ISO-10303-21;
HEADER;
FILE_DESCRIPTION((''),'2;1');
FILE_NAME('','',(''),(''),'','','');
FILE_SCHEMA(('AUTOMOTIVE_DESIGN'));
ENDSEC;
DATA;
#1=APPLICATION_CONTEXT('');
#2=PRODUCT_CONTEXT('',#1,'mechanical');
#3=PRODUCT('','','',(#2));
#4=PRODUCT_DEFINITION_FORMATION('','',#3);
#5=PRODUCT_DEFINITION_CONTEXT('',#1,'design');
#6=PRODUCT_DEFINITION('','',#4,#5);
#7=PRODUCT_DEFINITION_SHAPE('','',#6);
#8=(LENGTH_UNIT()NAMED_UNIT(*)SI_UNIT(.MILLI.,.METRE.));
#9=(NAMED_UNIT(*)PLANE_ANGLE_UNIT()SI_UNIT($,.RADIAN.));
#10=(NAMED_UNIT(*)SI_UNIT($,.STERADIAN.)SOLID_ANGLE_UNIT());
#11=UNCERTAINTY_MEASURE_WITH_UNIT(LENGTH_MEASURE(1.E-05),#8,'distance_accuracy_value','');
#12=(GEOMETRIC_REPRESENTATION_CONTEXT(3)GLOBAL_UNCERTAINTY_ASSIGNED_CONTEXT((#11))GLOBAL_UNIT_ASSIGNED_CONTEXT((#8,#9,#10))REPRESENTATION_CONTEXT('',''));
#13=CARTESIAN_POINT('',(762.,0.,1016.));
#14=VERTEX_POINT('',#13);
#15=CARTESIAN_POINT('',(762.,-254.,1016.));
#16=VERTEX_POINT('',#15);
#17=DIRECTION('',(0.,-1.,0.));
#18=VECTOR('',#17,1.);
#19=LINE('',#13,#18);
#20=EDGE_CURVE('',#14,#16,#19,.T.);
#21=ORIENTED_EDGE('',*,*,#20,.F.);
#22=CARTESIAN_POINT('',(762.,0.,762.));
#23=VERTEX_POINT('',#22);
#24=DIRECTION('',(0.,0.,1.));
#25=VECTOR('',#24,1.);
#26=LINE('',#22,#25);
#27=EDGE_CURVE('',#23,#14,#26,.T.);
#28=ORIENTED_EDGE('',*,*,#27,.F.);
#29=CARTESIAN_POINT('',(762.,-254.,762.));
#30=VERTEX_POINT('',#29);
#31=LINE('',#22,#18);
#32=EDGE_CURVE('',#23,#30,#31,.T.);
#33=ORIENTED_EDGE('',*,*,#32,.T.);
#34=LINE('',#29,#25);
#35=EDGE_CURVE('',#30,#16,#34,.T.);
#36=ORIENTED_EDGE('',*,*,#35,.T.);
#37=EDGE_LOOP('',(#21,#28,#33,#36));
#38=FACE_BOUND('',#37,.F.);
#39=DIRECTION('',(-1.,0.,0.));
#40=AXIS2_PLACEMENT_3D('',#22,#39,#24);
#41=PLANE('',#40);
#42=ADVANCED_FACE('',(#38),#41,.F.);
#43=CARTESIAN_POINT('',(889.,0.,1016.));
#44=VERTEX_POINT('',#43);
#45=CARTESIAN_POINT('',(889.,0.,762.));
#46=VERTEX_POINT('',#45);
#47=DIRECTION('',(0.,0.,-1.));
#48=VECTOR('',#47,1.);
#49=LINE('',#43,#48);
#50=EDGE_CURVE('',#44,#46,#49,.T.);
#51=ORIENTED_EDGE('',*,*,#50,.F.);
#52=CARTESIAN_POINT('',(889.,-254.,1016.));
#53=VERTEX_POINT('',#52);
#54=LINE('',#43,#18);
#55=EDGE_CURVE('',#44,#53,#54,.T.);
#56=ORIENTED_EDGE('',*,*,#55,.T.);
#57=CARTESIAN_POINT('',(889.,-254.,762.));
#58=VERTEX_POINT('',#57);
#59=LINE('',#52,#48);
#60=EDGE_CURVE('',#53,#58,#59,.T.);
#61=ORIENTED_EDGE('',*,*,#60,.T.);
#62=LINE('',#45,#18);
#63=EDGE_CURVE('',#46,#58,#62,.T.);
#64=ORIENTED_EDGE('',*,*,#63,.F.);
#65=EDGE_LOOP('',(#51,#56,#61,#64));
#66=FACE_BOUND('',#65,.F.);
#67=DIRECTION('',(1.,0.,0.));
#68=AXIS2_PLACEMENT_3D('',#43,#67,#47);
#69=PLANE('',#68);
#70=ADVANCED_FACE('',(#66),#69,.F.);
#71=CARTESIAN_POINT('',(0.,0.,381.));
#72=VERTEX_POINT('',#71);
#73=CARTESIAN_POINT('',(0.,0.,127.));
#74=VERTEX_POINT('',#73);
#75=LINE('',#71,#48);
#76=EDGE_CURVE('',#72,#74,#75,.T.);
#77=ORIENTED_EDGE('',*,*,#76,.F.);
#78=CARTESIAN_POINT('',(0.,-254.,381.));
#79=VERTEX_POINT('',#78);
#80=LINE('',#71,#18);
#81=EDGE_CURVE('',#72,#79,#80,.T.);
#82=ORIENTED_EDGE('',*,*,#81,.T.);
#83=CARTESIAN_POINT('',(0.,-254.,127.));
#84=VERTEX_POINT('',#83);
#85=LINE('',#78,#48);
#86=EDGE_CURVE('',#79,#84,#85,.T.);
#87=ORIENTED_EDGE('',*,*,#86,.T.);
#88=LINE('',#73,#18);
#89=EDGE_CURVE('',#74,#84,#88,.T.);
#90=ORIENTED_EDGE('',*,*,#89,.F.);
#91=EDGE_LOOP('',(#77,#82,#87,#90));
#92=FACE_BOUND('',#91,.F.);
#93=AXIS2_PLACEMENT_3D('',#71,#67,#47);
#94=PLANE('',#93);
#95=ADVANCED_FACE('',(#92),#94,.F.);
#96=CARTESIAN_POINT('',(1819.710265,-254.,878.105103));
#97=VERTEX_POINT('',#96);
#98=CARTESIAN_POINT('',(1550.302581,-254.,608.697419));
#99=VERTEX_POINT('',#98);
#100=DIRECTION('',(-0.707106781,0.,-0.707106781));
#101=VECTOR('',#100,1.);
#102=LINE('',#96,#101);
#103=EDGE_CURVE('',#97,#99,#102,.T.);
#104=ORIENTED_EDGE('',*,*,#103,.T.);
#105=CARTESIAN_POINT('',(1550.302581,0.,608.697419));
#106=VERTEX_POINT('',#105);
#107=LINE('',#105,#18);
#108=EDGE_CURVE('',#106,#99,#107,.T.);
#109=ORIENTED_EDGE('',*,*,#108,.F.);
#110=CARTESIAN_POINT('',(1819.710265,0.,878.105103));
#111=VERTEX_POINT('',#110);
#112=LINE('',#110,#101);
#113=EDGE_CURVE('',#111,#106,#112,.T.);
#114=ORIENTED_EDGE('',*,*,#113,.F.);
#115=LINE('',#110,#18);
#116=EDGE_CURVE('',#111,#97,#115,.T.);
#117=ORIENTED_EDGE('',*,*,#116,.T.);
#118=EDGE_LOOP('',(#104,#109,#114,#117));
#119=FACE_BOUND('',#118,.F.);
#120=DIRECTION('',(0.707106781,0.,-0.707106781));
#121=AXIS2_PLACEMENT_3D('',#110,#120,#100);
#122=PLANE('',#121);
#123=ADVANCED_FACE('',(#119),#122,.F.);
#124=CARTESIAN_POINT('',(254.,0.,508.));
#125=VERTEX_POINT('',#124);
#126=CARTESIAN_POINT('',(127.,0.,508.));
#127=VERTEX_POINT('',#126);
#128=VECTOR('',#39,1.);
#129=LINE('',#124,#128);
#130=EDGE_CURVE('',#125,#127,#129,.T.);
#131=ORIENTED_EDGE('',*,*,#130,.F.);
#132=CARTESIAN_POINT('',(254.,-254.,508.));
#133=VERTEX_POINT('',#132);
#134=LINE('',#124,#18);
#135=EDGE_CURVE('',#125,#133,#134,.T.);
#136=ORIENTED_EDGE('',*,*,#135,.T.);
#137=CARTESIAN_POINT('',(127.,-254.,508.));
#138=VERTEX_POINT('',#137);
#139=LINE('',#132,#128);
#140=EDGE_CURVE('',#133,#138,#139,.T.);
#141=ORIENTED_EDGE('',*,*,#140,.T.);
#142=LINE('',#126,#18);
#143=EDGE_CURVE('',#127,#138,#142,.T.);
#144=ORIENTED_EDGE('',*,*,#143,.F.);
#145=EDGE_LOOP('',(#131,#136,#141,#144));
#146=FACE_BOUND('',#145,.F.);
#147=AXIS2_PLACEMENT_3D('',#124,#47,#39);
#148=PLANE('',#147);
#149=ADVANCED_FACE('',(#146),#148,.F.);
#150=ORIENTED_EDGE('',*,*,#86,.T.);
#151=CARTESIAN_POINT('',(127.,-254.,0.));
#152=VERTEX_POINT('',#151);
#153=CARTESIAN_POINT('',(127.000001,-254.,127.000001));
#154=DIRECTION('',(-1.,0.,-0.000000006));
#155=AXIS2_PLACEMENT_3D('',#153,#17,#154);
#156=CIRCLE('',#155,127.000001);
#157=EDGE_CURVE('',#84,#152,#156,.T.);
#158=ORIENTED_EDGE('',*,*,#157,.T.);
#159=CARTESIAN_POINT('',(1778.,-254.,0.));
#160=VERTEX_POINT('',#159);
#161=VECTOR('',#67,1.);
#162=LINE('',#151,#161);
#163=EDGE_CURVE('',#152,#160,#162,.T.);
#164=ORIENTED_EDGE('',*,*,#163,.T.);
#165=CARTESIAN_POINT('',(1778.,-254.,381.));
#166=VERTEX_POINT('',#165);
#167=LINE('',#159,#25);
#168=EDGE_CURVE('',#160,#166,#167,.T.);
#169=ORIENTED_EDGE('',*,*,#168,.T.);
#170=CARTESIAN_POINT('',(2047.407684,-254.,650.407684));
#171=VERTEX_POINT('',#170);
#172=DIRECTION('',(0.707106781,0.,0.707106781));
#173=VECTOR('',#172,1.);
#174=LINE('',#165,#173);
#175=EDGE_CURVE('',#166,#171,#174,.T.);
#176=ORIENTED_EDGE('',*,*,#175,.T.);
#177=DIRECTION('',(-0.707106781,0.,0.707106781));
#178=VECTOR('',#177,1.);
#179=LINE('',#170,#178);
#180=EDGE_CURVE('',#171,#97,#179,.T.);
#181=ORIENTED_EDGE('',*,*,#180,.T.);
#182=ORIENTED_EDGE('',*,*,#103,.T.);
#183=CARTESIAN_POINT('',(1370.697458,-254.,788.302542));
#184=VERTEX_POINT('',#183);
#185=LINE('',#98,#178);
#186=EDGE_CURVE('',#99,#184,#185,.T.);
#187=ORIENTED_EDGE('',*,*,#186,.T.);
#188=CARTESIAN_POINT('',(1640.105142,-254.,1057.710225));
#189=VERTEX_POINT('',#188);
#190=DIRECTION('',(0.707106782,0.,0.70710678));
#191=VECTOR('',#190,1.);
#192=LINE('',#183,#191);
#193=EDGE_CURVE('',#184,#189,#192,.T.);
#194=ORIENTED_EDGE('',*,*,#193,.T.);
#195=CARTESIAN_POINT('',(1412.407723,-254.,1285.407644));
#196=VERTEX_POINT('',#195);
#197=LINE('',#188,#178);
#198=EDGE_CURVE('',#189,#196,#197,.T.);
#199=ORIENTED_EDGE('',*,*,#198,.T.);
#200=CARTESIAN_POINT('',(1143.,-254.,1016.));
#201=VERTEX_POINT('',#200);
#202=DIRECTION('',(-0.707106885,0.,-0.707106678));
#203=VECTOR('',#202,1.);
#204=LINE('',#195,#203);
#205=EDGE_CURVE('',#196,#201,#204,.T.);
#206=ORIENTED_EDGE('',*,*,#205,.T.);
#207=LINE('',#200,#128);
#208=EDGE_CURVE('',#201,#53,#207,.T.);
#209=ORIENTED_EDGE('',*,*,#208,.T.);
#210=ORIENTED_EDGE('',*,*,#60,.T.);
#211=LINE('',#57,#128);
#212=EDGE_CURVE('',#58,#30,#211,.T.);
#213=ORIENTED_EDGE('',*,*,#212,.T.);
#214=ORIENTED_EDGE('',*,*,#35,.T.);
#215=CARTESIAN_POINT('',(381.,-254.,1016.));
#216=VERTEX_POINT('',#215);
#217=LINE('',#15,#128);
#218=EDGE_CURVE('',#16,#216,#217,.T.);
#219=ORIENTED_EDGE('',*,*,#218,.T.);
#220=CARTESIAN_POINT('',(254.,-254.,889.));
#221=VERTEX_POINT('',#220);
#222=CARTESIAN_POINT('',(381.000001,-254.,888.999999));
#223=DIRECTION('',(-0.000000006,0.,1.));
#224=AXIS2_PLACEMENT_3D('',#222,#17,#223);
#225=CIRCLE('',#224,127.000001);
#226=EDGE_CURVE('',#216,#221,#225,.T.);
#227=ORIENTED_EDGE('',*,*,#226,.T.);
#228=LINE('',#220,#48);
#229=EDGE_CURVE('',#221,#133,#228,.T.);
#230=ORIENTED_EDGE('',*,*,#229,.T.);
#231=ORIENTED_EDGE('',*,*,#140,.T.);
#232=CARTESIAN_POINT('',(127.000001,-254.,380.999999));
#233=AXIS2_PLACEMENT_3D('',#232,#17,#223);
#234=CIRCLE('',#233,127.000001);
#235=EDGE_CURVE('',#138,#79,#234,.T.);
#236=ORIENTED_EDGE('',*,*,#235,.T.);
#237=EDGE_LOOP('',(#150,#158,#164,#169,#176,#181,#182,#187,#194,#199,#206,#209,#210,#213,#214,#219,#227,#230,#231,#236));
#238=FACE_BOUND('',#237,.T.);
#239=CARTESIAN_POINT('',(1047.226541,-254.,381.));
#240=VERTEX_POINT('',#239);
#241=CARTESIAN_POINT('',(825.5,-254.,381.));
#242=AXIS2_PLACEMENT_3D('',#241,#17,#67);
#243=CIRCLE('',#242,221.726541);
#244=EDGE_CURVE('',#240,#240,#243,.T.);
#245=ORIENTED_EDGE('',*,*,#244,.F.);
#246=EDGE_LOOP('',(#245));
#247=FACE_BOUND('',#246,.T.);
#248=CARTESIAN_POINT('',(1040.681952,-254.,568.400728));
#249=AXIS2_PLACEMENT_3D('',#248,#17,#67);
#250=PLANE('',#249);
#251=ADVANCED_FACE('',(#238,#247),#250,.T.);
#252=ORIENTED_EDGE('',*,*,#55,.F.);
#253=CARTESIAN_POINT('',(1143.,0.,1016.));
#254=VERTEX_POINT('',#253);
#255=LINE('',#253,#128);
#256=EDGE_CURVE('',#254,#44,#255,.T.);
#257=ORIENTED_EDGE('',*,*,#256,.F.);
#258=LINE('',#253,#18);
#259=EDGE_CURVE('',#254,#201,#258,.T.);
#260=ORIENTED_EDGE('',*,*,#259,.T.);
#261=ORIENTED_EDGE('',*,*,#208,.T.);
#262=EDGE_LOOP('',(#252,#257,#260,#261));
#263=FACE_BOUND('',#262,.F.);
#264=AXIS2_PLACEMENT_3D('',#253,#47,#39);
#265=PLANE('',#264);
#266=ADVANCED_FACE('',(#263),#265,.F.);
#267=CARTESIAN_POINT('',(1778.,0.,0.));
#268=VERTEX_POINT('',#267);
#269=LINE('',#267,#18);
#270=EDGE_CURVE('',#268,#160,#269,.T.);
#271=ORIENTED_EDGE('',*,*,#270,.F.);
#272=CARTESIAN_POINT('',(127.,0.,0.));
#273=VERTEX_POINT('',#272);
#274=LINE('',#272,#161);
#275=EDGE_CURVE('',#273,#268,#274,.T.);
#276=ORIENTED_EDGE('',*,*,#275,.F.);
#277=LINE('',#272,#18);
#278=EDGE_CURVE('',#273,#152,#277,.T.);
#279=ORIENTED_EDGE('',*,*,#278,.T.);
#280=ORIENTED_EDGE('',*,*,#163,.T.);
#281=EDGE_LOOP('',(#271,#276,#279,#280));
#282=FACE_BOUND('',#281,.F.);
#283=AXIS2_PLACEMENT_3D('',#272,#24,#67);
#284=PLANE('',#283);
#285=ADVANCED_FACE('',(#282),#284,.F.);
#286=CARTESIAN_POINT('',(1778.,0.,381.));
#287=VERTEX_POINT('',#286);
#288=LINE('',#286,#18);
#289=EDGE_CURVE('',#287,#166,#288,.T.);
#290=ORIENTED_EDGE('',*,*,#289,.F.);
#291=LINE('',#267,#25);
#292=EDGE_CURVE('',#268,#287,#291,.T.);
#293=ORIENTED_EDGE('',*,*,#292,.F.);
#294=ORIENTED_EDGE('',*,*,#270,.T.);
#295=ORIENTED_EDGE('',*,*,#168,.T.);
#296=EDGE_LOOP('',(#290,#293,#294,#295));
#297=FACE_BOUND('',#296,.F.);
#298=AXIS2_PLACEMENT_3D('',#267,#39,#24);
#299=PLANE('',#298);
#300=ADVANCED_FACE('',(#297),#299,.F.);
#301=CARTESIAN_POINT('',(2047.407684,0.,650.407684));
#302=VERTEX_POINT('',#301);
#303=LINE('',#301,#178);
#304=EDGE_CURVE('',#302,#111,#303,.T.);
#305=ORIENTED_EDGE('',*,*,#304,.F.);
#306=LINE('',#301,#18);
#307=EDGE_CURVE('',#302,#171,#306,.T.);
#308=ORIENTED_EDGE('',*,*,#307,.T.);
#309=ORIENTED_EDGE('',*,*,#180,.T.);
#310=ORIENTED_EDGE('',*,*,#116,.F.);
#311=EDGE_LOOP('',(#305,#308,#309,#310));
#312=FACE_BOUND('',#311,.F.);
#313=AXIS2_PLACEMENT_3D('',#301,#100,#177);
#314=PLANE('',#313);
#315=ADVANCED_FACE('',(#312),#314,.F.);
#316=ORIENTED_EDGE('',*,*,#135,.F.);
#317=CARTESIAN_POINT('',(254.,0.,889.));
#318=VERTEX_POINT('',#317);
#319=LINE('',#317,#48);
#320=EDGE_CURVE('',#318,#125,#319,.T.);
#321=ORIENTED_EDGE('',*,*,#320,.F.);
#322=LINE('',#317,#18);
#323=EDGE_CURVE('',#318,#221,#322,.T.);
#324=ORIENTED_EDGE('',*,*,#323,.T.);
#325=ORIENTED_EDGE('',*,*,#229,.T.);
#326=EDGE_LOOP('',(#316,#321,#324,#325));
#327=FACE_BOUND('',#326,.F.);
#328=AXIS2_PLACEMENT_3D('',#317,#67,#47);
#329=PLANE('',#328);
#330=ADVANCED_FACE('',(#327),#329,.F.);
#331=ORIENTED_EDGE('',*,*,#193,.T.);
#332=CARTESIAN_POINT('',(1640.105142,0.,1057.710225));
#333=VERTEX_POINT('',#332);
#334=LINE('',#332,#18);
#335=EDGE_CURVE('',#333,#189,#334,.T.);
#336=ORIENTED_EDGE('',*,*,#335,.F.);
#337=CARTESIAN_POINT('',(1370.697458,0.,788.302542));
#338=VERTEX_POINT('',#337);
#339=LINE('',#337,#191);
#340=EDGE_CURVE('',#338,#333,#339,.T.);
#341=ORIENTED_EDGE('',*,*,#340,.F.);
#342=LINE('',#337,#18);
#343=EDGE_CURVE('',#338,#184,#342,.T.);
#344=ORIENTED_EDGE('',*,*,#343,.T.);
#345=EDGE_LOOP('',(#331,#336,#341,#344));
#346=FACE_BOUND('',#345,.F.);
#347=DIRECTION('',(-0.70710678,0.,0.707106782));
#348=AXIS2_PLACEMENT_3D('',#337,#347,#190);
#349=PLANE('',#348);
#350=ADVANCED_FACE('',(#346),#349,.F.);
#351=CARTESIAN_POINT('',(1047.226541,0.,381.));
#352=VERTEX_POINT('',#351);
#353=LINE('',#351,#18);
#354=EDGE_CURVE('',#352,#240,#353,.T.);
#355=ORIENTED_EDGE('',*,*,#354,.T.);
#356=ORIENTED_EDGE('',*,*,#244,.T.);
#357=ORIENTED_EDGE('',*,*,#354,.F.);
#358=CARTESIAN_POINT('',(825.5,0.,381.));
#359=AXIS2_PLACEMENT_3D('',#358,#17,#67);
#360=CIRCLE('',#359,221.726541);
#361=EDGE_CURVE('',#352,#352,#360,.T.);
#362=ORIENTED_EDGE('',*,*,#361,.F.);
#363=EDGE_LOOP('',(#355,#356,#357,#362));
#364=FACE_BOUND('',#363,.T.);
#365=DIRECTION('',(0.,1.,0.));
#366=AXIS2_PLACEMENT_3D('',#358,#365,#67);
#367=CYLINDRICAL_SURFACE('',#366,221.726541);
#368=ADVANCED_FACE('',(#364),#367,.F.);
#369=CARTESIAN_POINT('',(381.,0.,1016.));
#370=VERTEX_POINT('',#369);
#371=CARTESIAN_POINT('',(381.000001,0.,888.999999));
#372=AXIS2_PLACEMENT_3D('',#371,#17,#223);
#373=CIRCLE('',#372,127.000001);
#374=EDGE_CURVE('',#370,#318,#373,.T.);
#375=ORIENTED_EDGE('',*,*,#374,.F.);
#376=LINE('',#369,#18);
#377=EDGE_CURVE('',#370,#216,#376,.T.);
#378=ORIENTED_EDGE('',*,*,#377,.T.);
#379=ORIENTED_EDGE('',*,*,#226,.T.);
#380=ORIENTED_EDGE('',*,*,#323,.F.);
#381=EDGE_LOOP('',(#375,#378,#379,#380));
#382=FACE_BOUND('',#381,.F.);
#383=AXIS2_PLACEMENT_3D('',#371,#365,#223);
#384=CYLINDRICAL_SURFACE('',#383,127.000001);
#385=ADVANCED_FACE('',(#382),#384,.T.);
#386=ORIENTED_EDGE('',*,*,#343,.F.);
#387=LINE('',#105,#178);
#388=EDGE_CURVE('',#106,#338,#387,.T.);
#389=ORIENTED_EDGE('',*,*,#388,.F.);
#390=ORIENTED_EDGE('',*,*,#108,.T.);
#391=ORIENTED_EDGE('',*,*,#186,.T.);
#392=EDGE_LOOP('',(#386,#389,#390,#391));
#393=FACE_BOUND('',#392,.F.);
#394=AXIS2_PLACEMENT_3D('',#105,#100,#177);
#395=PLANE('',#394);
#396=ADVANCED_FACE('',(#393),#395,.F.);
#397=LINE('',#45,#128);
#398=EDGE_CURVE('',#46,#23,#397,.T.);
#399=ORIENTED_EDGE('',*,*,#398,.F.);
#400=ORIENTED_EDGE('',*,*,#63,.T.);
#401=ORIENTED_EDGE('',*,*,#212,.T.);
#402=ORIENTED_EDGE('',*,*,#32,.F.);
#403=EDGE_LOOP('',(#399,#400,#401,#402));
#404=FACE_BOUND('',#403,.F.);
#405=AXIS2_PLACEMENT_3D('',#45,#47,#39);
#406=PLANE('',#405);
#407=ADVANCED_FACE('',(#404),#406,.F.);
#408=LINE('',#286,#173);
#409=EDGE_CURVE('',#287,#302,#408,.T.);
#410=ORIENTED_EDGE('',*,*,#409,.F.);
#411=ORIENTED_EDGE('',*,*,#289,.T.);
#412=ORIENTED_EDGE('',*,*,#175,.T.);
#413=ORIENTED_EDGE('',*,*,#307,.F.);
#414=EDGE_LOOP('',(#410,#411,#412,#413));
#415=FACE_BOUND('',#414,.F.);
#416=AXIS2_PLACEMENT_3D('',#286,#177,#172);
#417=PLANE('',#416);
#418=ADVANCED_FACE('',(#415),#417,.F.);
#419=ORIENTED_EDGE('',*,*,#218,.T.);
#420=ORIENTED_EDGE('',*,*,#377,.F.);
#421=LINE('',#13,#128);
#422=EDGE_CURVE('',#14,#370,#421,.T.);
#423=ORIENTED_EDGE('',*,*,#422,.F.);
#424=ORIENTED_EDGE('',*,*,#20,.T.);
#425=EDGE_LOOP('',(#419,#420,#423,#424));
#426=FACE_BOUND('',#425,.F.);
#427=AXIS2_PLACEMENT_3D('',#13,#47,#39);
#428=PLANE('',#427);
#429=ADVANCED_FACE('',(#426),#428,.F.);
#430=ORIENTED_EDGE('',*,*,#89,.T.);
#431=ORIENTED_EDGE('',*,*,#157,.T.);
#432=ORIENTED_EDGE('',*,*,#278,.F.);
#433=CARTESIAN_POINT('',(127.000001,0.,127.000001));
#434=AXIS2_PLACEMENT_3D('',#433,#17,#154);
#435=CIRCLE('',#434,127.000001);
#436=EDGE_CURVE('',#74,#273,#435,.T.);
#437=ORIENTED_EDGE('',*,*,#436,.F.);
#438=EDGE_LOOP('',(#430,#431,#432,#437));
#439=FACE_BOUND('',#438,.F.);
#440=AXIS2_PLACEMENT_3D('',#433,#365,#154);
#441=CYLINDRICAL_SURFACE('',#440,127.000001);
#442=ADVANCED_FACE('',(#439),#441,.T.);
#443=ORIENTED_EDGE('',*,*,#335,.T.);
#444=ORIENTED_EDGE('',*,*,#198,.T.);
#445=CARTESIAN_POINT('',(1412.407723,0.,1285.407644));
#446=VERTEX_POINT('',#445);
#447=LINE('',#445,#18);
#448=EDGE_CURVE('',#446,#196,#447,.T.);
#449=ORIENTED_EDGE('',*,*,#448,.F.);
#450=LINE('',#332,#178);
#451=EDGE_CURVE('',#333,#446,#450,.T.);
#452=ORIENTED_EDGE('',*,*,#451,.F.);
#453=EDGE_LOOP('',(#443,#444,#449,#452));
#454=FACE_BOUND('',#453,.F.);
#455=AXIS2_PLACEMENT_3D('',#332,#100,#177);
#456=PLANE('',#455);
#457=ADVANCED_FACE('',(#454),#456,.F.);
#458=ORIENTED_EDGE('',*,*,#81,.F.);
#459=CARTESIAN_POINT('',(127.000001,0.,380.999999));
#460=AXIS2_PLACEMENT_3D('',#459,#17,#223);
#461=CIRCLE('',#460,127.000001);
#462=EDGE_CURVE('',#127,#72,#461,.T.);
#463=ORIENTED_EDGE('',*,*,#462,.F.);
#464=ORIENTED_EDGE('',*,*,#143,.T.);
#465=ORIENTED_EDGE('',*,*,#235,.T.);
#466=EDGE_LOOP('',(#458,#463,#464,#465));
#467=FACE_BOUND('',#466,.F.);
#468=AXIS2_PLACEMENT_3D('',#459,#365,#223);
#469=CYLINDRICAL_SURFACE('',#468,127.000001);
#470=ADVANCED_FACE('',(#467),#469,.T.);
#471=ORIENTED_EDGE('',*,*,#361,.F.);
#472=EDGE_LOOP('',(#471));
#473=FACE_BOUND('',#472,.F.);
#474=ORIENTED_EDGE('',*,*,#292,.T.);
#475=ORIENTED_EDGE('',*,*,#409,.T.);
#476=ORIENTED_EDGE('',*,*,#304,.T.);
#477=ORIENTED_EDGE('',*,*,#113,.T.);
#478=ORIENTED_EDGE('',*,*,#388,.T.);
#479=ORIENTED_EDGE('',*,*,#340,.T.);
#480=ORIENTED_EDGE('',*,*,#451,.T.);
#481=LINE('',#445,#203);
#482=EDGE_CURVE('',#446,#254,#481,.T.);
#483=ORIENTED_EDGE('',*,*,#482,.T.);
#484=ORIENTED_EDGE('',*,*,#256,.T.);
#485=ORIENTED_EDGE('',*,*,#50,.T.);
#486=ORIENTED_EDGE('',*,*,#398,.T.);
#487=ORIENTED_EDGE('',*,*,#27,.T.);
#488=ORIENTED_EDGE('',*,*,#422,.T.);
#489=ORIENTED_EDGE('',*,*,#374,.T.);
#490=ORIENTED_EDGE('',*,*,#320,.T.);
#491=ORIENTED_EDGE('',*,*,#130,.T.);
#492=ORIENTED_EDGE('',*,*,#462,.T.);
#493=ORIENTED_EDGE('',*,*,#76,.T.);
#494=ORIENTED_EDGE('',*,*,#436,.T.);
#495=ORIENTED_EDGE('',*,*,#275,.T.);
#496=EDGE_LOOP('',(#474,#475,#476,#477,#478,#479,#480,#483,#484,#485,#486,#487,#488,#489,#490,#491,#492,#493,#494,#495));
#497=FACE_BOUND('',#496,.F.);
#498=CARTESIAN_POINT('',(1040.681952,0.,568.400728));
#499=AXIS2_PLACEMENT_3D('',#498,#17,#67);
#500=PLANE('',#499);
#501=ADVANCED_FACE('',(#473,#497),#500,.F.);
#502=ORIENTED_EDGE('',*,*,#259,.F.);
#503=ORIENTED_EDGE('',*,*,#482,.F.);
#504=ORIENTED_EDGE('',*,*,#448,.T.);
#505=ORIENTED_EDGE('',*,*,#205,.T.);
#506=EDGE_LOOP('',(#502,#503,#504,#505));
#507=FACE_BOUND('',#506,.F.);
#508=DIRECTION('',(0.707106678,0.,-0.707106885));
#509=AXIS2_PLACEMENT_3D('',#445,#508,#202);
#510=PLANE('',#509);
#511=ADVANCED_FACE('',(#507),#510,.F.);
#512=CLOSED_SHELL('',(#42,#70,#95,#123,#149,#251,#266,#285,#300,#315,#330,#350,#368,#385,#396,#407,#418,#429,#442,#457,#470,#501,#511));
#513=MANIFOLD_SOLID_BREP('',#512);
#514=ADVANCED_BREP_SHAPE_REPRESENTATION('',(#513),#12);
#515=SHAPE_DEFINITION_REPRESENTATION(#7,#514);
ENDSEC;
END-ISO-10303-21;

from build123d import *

# Parameters (mm, degrees)
F0_R     = 221.726541
F1_DEPTH = 254


with BuildPart() as f1:
    # F0 (on Front) → F1 (new body)
    with BuildSketch(Plane.XZ):
        with BuildLine():
            ThreePointArc((0, 127), (37.197439, 37.197439), (127, 0))
            Line((127, 0), (1778, 0))
            Line((1778, 0), (1778, 381))
            Line((1778, 381), (2047.407684, 650.407684))
            Line((2047.407684, 650.407684), (1819.710265, 878.105103))
            Line((1819.710265, 878.105103), (1550.302581, 608.697419))
            Line((1550.302581, 608.697419), (1370.697458, 788.302542))
            Line((1370.697458, 788.302542), (1640.105142, 1057.710225))
            Line((1640.105142, 1057.710225), (1412.407723, 1285.407644))
            Line((1412.407723, 1285.407644), (1143, 1016))
            Line((1143, 1016), (889, 1016))
            Line((889, 1016), (889, 762))
            Line((889, 762), (762, 762))
            Line((762, 762), (762, 1016))
            Line((762, 1016), (381, 1016))
            ThreePointArc((381, 1016), (291.197439, 978.802561), (254, 889))
            Line((254, 889), (254, 508))
            Line((254, 508), (127, 508))
            ThreePointArc((127, 508), (37.197439, 470.802561), (0, 381))
            Line((0, 381), (0, 127))
        make_face()
        with Locations((825.5, 381)):
            Circle(F0_R, mode=Mode.SUBTRACT)
    extrude(amount=F1_DEPTH)


solid = f1.part
